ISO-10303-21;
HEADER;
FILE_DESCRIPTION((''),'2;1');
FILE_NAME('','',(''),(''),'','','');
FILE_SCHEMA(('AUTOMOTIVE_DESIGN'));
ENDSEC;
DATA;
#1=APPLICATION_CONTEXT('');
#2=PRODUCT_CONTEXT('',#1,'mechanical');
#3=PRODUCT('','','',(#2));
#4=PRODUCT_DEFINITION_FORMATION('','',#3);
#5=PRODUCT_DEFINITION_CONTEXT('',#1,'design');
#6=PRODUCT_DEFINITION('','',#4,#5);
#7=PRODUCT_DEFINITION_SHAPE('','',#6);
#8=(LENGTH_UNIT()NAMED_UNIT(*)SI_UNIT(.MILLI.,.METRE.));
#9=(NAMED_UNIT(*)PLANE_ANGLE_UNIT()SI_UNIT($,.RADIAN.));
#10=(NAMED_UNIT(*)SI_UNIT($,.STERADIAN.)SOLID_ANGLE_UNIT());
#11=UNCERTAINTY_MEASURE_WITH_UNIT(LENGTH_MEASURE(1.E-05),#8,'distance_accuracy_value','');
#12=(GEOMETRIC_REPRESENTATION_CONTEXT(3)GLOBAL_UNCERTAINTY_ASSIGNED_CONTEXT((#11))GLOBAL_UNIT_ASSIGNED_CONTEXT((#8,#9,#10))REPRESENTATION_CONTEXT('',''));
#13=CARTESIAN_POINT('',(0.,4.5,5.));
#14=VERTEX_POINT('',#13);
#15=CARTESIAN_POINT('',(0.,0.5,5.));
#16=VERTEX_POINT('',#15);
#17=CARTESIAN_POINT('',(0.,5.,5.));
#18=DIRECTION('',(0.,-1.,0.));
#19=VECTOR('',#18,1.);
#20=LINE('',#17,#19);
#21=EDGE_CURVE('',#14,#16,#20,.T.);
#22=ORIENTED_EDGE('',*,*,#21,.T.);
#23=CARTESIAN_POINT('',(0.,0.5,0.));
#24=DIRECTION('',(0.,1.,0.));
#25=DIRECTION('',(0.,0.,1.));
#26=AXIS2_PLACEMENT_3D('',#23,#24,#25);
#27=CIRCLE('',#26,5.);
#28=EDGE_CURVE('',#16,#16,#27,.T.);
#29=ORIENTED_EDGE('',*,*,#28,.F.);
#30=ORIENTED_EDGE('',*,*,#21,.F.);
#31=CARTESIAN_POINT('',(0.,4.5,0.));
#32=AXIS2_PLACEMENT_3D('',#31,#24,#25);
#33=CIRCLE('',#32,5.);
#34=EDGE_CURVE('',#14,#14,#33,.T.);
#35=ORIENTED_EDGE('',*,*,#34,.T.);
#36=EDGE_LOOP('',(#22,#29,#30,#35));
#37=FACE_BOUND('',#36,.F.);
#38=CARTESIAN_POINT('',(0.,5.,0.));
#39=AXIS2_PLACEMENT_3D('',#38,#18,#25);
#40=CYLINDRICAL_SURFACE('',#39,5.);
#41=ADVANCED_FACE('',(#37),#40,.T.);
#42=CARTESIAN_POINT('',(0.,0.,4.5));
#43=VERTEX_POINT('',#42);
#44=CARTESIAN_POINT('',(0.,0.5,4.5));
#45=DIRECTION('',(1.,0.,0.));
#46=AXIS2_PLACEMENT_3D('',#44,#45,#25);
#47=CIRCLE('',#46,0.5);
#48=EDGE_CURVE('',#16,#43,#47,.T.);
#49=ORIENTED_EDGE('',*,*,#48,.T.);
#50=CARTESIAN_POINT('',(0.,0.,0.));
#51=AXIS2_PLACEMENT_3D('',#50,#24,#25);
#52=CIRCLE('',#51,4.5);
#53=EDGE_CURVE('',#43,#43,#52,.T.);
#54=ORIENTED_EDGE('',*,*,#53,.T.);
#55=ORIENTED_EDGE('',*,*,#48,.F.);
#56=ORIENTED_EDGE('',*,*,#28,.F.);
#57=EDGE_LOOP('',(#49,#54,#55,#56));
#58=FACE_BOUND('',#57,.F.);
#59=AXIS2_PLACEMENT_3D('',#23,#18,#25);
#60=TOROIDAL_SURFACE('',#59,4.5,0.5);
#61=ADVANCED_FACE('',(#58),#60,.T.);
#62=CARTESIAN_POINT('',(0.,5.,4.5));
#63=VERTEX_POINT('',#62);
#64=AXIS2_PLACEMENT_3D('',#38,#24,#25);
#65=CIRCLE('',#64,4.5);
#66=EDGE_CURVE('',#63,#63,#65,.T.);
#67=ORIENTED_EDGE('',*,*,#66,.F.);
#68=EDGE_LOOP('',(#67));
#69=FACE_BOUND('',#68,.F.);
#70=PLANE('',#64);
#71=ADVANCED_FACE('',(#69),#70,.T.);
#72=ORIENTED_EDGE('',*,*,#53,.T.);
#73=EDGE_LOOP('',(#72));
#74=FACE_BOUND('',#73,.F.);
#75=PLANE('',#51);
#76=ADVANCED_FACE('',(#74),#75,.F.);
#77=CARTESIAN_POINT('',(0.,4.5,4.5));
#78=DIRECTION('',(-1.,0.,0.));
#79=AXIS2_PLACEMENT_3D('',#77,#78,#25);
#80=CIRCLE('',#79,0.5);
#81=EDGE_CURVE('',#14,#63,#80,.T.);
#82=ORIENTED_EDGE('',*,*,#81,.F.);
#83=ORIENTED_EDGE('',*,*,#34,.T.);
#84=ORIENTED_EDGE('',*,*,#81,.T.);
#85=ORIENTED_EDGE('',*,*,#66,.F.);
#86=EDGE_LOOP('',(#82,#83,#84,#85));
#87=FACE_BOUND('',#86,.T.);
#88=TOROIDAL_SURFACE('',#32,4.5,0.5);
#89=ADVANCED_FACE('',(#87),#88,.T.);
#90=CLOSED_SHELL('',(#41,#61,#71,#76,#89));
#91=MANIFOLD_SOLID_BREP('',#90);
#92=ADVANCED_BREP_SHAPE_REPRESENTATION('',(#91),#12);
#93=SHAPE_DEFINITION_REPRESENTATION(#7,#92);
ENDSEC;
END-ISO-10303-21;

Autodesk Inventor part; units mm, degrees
ref_plane "YZ Plane" through (0, 0, 0) normal (1, 0, 0) x (0, 1, 0)
ref_plane "XZ Plane" through (0, 0, 0) normal (0, 1, 0) x (-1, 0, 0)
ref_plane "XY Plane" through (0, 0, 0) normal (0, 0, 1) x (1, 0, 0)
sketch "Эскиз1" plane through (0, 0, 0) normal (1, 0, 0) x (0, 1, 0)
  line L0 (0, 0) -> (5, 0)
  line L1 (5, 0) -> (5, 5)
  line L2 (5, 5) -> (0, 5)
  line L3 (0, 5) -> (0, 0)
  dimension "d0" = 5
  dimension "d1" = 5
revolve "Вращение1" add sketch "Эскиз1" angle 360 about axis through (0, 0, 0) along (0, 1, 0)
fillet "Сопряжение1" radius 0.5 1 edges at (0, 5, -5)
fillet "Сопряжение2" radius 0.5 1 edges at (0, 0, -5)
properties part number "Магнит2" material "Пластик ПАЭК"
